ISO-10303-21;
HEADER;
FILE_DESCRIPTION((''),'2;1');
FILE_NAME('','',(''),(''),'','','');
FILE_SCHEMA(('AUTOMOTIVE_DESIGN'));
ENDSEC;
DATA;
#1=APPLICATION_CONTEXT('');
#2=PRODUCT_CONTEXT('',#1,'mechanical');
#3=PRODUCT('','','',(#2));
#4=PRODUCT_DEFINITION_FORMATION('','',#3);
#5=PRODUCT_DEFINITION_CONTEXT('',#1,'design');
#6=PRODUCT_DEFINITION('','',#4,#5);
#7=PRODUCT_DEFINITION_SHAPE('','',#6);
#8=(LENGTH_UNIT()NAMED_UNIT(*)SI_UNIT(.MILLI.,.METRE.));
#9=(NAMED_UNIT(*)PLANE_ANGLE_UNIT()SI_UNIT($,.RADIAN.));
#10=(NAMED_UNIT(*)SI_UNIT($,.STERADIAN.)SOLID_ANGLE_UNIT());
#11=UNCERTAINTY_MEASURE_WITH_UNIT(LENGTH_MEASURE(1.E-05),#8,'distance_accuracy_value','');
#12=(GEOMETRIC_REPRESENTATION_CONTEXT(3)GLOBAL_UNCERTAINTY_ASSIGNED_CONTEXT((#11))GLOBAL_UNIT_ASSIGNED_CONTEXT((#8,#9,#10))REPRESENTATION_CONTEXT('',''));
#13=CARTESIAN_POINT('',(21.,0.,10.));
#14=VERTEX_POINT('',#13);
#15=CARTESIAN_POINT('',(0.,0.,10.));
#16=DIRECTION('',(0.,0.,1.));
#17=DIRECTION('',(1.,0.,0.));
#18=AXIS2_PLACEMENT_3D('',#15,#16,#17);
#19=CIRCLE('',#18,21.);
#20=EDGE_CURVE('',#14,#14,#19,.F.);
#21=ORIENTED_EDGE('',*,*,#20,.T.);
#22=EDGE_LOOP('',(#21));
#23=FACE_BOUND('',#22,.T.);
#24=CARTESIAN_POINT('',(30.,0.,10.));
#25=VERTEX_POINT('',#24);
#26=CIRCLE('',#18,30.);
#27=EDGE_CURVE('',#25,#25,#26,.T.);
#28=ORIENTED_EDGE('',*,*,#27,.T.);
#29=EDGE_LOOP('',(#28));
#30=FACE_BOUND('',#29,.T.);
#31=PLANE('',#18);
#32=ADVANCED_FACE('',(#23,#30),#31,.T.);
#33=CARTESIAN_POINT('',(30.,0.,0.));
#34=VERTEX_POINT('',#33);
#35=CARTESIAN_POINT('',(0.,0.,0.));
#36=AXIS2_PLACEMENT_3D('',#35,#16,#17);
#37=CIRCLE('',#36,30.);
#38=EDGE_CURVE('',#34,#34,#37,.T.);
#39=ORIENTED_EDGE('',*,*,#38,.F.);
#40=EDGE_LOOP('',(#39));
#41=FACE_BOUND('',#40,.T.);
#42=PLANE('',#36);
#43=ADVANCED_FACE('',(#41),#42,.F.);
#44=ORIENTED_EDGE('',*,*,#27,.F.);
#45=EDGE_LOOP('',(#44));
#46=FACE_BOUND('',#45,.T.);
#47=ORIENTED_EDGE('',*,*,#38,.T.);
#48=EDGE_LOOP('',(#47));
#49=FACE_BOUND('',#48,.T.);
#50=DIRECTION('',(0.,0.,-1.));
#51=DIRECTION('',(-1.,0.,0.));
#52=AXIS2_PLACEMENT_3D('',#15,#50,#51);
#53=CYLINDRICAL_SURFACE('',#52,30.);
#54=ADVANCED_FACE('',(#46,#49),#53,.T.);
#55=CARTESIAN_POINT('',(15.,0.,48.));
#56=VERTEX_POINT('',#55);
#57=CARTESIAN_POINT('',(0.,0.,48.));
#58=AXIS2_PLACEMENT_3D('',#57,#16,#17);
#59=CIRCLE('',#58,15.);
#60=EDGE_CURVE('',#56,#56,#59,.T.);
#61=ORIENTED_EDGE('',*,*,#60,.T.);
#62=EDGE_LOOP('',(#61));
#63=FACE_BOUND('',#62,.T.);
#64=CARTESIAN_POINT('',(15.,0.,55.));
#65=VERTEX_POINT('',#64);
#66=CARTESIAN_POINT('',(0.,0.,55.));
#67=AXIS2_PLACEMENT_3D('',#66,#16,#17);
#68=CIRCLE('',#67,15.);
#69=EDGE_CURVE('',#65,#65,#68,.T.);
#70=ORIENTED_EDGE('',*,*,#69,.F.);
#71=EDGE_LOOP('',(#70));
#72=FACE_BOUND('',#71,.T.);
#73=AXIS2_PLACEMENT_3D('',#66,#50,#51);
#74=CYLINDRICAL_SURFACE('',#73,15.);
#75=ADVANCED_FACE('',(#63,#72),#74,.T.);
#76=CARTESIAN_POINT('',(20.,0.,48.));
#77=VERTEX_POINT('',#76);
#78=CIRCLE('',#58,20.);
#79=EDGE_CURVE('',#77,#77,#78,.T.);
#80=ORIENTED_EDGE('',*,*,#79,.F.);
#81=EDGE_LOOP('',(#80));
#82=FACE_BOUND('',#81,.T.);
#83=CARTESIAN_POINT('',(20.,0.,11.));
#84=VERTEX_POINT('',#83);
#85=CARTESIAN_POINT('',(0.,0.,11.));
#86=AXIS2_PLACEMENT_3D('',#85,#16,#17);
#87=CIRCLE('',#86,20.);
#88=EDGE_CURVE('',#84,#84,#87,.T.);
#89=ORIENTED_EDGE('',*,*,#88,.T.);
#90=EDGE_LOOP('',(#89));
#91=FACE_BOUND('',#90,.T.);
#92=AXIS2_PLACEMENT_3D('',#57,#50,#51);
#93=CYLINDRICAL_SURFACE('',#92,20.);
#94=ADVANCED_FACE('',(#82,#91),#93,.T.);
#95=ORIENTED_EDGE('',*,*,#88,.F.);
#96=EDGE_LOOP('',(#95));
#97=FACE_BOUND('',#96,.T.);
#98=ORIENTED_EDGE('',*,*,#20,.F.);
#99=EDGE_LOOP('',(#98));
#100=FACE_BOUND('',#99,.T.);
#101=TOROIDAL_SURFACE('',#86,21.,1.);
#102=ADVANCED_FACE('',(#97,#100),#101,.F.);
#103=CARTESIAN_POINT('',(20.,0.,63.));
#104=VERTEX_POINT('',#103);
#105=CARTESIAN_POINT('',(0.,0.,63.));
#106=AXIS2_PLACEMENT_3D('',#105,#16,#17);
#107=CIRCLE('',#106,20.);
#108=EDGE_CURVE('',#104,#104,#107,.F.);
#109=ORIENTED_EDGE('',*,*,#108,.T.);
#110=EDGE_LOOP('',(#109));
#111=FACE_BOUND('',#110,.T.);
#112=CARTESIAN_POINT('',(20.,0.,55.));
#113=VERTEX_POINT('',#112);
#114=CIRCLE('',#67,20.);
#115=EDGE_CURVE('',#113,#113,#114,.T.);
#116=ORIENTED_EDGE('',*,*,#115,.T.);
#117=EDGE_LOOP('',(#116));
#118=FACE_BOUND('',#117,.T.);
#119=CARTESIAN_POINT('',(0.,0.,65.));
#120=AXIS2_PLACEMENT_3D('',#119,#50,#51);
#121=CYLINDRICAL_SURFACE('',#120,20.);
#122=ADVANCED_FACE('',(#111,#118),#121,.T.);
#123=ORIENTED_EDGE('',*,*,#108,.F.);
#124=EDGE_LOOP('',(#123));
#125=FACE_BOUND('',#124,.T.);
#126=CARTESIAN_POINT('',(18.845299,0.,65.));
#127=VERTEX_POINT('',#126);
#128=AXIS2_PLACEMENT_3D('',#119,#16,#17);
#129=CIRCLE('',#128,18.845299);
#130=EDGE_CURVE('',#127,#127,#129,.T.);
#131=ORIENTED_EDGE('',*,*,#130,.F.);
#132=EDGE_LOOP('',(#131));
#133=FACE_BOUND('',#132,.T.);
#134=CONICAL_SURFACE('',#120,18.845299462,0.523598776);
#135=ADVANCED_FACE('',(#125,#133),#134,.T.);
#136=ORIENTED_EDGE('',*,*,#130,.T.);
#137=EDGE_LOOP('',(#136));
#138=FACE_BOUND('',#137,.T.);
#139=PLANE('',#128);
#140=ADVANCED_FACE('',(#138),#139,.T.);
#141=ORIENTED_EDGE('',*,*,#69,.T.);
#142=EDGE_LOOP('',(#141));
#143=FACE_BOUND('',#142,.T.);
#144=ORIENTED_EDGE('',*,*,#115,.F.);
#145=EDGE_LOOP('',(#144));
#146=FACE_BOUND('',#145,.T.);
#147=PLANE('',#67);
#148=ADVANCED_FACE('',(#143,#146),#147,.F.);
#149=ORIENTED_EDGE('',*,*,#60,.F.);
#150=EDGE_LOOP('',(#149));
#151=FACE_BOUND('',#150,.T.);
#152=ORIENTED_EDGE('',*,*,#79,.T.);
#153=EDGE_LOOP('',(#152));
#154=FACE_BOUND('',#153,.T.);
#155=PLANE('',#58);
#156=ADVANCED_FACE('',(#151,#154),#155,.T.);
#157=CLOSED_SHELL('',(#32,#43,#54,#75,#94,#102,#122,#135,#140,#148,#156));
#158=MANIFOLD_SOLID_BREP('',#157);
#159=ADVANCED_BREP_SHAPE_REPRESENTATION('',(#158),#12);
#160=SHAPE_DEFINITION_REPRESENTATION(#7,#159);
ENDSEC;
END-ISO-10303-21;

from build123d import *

# Parameters (mm, degrees)
SKETCH_1_R      = 30
EXTRUDE_1_DEPTH = 10
SKETCH_2_R      = 20
EXTRUDE_2_DEPTH = 38
SKETCH_3_R      = 15
EXTRUDE_3_DEPTH = 7
SKETCH_4_R      = 20
EXTRUDE_4_DEPTH = 10
CHAMFER_1_SIZE  = 2
CHAMFER_1_SIZE2 = 1.154700538
FILLET_1_R      = 1


with BuildPart() as part:
    # 草图1 → 凸台-拉伸1 (new body)
    with BuildSketch(Plane.XY):
        Circle(SKETCH_1_R)
    extrude(amount=EXTRUDE_1_DEPTH)

    # 草图2 → 凸台-拉伸2 (add)
    with BuildSketch(Plane.XY.offset(10)):
        Circle(SKETCH_2_R)
    extrude(amount=EXTRUDE_2_DEPTH)

    # 草图3 → 凸台-拉伸3 (add)
    with BuildSketch(Plane.XY.offset(48)):
        Circle(SKETCH_3_R)
    extrude(amount=EXTRUDE_3_DEPTH)

    # 草图4 → 凸台-拉伸4 (add)
    with BuildSketch(Plane.XY.offset(55)):
        Circle(SKETCH_4_R)
    extrude(amount=EXTRUDE_4_DEPTH)

    # 倒角1
    chamfer_1_edges = [part.edges().sort_by_distance(p)[0] for p in [
        (-20, 0, 65),
    ]]
    chamfer_1_side = [part.faces().sort_by_distance(p)[0] for p in [
        (-20, 0, 60),
    ]]
    chamfer(chamfer_1_edges, length=CHAMFER_1_SIZE, length2=CHAMFER_1_SIZE2, reference=chamfer_1_side[0])

    # 圆角1
    fillet_1_edges = [part.edges().sort_by_distance(p)[0] for p in [
        (-20, 0, 10),
    ]]
    fillet(fillet_1_edges, radius=FILLET_1_R)


solid = part.part
